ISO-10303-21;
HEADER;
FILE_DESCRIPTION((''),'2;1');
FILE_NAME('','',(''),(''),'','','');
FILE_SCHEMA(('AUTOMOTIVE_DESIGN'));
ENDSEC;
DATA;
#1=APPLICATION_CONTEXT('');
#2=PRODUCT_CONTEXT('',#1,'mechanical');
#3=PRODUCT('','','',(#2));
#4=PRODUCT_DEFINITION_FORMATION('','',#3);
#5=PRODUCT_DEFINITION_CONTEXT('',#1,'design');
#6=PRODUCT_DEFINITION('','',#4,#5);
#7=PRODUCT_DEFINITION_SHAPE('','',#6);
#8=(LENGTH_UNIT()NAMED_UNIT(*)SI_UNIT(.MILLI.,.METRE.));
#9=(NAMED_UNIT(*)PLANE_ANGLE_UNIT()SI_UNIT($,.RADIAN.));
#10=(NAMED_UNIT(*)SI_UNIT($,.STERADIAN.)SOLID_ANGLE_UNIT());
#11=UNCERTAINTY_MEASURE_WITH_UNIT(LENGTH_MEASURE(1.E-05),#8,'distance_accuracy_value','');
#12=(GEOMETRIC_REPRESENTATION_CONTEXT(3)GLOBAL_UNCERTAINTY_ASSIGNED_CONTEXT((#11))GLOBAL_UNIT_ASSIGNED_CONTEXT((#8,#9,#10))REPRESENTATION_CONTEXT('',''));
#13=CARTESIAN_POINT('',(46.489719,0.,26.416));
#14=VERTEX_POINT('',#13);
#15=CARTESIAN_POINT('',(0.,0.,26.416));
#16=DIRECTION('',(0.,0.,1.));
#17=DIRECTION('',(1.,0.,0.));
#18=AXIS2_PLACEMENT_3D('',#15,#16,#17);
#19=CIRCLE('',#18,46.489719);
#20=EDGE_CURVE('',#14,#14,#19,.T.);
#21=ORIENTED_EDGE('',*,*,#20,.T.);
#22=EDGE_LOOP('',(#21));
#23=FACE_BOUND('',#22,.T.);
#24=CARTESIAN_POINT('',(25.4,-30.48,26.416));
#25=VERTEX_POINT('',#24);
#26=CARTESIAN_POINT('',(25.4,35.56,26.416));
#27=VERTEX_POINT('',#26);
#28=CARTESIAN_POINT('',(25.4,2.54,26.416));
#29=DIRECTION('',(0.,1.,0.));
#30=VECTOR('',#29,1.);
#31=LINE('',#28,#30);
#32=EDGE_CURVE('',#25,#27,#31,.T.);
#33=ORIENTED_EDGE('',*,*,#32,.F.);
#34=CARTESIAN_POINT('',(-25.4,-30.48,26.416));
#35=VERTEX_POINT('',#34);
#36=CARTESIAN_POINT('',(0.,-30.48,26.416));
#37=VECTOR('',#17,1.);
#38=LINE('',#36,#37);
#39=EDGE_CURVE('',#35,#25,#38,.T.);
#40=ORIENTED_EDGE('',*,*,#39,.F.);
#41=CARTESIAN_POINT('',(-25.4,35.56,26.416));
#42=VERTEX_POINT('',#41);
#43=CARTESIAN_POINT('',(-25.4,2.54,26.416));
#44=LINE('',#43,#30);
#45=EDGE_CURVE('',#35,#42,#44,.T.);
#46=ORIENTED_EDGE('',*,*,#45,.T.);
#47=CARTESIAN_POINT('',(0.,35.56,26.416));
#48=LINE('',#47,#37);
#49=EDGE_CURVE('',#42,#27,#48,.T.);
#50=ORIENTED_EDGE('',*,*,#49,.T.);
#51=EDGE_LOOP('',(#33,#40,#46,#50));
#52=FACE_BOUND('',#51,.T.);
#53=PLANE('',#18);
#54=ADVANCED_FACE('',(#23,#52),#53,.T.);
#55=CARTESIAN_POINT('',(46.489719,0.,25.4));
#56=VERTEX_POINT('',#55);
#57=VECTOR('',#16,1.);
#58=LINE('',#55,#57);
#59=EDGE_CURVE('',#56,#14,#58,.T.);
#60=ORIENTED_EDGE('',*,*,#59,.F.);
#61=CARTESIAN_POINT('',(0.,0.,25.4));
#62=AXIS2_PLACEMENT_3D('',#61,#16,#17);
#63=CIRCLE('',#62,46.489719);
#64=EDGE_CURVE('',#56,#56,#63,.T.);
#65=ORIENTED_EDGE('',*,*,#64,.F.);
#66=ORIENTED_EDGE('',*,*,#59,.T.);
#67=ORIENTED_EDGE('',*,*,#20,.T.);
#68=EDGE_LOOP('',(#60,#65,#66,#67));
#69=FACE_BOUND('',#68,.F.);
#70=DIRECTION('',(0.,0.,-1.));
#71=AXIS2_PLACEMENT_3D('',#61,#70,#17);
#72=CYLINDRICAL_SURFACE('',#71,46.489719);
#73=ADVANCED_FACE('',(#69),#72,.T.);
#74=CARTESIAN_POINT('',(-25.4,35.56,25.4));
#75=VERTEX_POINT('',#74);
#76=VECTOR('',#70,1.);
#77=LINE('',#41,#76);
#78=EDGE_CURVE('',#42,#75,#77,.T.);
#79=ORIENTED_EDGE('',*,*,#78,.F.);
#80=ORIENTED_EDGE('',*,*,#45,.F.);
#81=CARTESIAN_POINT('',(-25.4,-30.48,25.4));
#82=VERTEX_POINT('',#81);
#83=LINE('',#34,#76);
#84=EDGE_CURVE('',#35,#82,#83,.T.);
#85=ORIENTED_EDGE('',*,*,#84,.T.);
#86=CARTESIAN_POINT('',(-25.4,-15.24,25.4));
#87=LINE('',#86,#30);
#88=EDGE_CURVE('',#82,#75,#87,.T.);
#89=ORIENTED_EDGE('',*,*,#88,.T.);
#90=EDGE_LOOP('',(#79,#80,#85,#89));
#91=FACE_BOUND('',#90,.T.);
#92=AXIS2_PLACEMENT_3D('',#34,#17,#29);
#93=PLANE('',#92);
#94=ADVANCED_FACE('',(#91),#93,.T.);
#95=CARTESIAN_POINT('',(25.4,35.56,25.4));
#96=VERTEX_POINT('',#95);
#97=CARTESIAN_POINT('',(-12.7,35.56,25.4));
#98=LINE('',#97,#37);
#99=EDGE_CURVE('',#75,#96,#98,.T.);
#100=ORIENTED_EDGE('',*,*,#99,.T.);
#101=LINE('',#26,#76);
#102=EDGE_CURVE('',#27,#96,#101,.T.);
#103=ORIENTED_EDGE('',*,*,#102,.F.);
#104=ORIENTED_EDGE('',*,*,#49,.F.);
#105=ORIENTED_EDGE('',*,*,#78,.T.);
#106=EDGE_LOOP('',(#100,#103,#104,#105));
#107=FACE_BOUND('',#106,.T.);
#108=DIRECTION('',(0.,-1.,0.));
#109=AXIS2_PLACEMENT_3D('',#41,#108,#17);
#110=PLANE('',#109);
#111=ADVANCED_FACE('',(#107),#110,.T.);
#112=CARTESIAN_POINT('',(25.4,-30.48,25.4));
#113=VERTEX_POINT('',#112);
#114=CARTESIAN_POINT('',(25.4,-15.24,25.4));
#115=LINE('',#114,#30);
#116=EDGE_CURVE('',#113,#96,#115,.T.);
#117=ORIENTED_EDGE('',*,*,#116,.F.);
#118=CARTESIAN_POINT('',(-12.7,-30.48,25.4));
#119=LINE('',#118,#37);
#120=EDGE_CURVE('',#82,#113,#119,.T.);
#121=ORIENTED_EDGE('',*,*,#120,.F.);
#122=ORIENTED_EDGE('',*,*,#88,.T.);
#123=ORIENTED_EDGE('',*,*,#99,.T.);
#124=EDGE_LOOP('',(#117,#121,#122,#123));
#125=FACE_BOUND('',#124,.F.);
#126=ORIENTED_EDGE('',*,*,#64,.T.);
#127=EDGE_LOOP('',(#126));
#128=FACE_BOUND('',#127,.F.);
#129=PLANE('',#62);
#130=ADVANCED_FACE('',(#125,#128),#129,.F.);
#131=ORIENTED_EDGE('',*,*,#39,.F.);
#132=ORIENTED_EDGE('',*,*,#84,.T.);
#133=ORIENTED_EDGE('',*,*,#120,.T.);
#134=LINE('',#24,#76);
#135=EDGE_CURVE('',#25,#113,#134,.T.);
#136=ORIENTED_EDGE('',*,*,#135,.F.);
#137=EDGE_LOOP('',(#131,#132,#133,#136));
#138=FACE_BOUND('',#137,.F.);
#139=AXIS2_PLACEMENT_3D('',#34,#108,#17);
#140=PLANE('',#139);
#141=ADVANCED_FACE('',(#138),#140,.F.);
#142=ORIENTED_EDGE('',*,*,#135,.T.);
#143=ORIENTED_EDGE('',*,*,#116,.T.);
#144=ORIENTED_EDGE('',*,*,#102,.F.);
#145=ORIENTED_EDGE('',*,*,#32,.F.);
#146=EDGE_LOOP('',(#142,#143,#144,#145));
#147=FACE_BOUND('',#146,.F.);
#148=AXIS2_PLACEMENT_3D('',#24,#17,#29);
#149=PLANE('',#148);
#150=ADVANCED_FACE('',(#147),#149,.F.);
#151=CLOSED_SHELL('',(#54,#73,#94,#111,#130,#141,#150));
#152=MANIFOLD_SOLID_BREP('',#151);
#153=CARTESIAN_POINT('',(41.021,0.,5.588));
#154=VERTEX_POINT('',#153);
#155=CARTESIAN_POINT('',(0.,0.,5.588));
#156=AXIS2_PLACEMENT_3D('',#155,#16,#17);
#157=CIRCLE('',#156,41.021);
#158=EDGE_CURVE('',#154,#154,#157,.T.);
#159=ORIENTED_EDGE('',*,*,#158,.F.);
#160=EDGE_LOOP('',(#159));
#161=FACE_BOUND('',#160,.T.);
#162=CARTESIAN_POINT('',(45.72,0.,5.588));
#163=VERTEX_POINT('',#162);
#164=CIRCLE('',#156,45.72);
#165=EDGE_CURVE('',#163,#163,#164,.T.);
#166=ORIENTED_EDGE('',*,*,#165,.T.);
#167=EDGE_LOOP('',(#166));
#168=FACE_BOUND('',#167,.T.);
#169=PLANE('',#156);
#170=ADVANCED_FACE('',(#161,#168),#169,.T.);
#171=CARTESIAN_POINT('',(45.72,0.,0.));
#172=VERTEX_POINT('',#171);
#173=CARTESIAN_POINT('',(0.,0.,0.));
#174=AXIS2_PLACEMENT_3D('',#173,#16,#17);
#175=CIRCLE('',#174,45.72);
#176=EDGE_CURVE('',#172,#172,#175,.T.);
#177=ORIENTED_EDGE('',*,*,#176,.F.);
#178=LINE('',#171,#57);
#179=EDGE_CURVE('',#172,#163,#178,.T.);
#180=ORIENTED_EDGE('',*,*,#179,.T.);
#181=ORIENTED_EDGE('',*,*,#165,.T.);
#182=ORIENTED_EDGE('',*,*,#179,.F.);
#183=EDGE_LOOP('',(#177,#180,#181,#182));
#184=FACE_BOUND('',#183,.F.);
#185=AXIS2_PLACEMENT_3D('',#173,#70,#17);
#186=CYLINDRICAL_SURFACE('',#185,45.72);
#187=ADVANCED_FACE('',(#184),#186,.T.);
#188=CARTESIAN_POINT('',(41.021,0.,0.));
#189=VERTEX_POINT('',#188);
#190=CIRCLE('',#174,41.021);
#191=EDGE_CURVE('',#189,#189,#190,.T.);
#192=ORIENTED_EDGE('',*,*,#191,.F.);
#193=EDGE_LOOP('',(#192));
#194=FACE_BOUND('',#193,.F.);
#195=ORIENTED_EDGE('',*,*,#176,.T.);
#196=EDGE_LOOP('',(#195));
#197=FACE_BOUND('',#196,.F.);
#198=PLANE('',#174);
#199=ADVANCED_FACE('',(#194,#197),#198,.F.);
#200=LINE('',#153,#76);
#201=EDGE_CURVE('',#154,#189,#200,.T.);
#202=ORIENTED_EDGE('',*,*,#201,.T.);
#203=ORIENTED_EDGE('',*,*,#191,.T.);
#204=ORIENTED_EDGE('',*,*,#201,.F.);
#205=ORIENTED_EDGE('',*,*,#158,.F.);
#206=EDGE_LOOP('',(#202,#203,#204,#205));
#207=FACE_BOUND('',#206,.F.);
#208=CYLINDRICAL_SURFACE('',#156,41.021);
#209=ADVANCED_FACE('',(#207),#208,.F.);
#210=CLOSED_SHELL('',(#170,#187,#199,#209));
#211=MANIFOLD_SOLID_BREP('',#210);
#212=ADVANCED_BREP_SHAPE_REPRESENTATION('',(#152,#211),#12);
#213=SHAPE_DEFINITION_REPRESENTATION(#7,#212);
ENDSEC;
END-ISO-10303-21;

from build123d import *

# Parameters (mm, degrees)
F0_R     = 45.72
F1_DEPTH = 5.588
F2_R     = 41.021
F3_DEPTH = 5.589
F5_R     = 46.489719
F6_DEPTH = 1.016
F7_W     = 50.8
F7_H     = 66.04
F8_DEPTH = 12.7


with BuildPart() as f1:
    # F0 (on Top) → F1 (new body)
    with BuildSketch(Plane.XY):
        Circle(F0_R)
    extrude(amount=F1_DEPTH)

    # F2 (on face) → F3 (cut, through all)
    with BuildSketch(Plane.XY.offset(5.588)):
        Circle(F2_R)
    extrude(amount=-F3_DEPTH, mode=Mode.SUBTRACT)


with BuildPart() as f6:
    # F5 (on offset) → F6 (new body)
    with BuildSketch(Plane.XY.offset(25.4)):
        Circle(F5_R)
    extrude(amount=F6_DEPTH)

    # F7 (on face) → F8 (cut)
    with BuildSketch(Plane.XY.offset(26.416)):
        with Locations((0, 2.54)):
            Rectangle(F7_W, F7_H)
    extrude(amount=-F8_DEPTH, mode=Mode.SUBTRACT)


solid = Compound([f1.part, f6.part])
